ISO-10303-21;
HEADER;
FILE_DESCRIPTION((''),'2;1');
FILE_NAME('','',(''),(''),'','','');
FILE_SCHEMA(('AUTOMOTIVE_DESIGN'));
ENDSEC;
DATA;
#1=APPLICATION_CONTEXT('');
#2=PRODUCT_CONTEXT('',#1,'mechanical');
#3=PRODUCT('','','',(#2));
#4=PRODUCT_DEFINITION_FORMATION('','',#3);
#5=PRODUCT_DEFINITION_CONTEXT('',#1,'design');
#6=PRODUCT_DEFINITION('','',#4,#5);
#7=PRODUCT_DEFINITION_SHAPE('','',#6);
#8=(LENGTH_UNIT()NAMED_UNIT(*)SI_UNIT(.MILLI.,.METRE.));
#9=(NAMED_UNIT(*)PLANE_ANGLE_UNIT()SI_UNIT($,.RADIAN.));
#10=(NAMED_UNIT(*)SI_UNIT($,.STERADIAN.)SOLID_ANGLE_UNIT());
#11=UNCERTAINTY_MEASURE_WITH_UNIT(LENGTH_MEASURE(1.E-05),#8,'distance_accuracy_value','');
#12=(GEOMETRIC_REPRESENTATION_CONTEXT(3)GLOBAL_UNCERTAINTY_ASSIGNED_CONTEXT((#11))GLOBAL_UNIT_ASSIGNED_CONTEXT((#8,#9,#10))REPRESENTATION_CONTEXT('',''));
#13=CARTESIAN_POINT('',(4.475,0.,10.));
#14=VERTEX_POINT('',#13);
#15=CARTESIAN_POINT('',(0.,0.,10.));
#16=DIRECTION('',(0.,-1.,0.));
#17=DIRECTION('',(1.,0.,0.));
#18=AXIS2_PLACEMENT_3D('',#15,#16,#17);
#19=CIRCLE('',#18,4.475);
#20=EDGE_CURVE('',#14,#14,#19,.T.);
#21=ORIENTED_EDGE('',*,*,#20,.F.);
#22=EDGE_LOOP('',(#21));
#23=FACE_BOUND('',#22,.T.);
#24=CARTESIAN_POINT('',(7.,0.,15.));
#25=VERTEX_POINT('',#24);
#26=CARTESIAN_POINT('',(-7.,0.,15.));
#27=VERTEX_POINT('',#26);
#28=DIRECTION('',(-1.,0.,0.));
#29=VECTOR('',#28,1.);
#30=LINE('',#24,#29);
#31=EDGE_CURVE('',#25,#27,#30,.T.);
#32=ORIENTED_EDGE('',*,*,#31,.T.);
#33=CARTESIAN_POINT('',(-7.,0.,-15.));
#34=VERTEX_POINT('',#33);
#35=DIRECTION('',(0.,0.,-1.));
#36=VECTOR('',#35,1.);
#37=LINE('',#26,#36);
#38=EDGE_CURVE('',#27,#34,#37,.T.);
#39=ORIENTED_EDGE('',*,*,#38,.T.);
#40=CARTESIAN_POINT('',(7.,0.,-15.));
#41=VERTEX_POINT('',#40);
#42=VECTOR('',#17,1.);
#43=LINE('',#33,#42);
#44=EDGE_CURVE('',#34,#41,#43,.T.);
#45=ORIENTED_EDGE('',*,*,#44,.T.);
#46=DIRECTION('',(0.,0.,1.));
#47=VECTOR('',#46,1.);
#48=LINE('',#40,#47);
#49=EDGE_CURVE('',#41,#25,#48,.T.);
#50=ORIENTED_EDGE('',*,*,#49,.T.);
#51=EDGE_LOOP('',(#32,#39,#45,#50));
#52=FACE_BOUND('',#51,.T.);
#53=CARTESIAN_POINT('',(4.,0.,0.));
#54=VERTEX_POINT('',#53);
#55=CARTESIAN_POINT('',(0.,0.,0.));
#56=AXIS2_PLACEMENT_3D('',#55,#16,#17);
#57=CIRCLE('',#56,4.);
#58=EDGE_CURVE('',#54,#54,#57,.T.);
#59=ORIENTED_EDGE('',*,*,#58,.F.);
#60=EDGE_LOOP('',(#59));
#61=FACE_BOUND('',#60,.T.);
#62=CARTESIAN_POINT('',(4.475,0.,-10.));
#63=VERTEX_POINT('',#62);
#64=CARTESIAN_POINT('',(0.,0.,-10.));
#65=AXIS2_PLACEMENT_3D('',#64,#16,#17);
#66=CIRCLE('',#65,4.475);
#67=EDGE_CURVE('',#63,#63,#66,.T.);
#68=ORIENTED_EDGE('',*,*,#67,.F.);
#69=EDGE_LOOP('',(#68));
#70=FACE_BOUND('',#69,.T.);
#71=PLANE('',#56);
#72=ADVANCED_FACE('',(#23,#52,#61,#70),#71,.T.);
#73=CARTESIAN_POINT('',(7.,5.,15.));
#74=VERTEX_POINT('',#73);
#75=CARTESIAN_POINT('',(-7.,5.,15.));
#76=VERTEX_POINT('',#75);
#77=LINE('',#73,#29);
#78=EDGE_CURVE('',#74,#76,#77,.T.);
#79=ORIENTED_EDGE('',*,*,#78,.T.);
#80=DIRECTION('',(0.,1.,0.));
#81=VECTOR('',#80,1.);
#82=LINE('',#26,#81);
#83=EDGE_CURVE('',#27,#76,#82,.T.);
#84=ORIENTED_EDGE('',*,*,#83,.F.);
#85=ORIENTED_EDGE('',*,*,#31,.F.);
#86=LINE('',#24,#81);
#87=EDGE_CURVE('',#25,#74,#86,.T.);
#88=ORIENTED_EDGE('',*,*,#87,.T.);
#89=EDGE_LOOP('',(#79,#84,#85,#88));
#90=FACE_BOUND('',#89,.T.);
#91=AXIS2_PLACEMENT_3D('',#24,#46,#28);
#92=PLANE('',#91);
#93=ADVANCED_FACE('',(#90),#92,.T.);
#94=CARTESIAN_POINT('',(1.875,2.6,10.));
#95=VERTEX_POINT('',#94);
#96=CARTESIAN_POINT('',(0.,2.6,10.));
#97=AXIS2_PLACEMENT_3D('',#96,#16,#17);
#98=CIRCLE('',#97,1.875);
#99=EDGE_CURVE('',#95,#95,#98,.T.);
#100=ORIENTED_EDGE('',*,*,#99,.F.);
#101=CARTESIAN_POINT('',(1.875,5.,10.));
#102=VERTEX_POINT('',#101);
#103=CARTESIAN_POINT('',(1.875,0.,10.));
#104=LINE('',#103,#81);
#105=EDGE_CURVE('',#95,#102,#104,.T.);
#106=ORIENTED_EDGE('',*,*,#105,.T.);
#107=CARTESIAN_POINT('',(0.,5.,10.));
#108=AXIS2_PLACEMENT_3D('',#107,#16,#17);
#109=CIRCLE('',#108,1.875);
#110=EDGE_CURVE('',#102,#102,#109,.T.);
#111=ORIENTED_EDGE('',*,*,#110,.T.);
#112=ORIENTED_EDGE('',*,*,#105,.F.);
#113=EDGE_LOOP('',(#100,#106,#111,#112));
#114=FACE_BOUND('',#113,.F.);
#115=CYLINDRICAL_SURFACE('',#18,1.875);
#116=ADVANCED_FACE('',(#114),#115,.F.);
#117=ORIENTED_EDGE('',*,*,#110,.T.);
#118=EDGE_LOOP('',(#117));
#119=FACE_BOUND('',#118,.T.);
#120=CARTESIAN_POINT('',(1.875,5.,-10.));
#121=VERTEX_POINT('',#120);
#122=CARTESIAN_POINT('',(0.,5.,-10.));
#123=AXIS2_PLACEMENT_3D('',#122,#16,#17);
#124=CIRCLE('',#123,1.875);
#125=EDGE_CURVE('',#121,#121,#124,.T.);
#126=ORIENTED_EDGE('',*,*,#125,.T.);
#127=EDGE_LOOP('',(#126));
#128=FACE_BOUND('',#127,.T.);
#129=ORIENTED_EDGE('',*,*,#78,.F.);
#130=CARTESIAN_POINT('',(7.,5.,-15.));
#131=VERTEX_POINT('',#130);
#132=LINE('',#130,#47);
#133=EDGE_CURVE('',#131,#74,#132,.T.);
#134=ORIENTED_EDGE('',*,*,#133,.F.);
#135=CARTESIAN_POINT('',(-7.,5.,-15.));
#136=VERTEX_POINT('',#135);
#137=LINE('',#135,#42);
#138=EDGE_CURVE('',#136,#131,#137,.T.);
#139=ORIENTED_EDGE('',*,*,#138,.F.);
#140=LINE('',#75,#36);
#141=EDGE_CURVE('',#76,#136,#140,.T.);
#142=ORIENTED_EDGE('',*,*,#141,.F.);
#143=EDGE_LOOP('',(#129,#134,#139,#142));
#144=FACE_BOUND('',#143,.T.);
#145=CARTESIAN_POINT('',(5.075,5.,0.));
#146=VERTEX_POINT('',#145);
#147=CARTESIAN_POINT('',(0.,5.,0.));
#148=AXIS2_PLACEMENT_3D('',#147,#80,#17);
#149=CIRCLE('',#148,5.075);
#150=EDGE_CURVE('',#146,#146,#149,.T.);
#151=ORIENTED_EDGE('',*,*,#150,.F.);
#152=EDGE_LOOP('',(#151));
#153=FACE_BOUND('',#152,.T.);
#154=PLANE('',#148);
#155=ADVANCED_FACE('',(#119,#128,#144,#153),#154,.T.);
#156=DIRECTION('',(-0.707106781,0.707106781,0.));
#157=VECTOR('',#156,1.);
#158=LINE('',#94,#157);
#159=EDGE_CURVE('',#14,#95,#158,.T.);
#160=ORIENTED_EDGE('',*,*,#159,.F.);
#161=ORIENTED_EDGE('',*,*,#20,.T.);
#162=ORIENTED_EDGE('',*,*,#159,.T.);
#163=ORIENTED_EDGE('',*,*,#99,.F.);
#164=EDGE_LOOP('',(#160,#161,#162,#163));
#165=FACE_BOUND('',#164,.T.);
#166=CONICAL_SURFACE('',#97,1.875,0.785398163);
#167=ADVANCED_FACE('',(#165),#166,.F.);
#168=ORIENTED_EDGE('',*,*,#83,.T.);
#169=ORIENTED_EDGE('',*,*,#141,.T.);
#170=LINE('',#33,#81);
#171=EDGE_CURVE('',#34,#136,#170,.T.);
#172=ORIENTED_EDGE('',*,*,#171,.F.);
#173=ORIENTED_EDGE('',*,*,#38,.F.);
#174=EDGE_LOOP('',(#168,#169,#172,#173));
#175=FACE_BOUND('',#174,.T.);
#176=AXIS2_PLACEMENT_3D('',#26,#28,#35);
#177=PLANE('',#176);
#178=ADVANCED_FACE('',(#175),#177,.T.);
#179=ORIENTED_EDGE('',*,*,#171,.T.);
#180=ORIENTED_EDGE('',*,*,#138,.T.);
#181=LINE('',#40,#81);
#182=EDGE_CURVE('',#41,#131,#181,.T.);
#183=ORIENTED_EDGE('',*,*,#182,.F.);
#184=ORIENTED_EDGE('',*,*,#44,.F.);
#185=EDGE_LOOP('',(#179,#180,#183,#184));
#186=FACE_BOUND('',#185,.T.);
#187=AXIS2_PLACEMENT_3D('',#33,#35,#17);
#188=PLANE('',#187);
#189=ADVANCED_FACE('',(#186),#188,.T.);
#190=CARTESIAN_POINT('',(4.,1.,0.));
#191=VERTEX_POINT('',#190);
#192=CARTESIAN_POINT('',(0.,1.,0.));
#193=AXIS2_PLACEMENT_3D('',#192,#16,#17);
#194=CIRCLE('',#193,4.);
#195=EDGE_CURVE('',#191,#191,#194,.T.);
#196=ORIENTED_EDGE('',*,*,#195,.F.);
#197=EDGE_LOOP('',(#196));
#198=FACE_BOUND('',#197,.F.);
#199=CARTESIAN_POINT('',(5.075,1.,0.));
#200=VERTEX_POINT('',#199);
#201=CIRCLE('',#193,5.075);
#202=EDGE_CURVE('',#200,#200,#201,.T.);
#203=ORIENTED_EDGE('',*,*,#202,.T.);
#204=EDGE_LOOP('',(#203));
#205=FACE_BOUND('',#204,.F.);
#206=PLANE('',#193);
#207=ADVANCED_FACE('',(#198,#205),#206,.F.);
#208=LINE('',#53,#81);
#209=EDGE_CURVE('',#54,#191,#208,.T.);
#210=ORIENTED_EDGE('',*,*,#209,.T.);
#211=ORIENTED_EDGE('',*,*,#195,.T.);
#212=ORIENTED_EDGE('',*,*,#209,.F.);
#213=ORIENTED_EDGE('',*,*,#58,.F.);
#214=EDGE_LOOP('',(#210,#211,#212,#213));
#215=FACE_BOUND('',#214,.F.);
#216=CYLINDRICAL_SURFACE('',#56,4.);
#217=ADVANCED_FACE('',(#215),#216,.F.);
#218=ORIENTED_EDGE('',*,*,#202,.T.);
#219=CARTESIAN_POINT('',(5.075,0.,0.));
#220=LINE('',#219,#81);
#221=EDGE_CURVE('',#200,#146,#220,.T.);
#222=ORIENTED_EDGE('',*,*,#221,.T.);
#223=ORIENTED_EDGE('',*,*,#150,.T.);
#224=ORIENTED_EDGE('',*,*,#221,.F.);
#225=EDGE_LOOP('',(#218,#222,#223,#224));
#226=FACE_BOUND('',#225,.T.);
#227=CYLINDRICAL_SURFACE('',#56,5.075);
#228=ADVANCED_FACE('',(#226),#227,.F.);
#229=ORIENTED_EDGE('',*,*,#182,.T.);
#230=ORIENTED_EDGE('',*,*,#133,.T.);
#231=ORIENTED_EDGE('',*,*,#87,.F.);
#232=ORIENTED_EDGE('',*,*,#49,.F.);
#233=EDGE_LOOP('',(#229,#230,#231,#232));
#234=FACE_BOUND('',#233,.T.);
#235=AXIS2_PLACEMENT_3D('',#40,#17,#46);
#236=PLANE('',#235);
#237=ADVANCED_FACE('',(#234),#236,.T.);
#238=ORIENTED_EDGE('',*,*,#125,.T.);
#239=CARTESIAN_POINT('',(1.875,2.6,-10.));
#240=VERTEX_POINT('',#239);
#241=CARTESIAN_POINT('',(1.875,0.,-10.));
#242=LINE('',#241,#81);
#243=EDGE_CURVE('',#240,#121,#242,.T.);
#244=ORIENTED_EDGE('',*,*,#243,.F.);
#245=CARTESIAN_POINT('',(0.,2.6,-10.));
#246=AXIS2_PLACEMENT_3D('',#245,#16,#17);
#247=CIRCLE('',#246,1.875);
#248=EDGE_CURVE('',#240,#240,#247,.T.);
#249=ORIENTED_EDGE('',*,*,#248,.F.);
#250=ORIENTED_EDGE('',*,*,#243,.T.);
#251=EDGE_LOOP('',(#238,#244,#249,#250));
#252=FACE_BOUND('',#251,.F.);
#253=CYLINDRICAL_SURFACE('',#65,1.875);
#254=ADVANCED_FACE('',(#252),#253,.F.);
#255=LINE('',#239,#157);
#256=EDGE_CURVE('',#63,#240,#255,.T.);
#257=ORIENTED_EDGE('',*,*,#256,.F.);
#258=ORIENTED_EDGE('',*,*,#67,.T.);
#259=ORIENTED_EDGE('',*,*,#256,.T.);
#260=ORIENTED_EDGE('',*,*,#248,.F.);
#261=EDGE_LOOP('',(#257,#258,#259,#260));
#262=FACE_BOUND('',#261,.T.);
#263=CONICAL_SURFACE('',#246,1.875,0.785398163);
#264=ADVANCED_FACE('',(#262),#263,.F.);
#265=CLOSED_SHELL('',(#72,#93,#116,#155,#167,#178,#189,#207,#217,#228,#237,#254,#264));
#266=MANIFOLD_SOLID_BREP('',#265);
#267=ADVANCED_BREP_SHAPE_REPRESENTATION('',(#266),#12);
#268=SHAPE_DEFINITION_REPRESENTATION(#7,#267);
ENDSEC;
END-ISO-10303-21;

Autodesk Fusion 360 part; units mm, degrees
sketch "Sketch1" plane through (0, 0, 0) normal (0, 1, 0) x (1, 0, 0)
  circle A0 centre (0, 0) radius 5.075
  line L0 (-7, 15) -> (7, 15)
  line L1 (7, 15) -> (7, -15)
  line L2 (7, -15) -> (-7, -15)
  line L3 (-7, -15) -> (-7, 15)
  line L4 (-7, 15) -> (7, -15) construction
  line L5 (7, 15) -> (-7, -15) construction
  dimension "d1" = 10.15
  dimension "d2" = 7
  dimension "d3" = 30
extrude "Extrude1" add sketch "Sketch1" along normal blind 5
sketch "Sketch2" plane through (0, 0, 0) normal (0, -1, 0) x (1, 0, 0)
  circle A0 centre (0, 0) radius 5.075
  line L0 (7, 15) -> (-7, 15)
  line L1 (-7, 15) -> (-7, -15)
  line L2 (-7, -15) -> (7, -15)
  line L3 (7, -15) -> (7, 15)
  line L4 (0, 15) -> (0, -15) construction
  line L5 (0, 0) -> (33.31, 0) construction
  circle A1 centre (0, 10) radius 1.875
  circle A2 centre (0, -10) radius 1.875
  dimension "d6" = 3.75
extrude "Extrude2" cut sketch "Sketch2" against normal blind 31 contours A1 | A2
chamfer "Chamfer1" distance 2.6 angle 45 2 edges at (-1.7481, 0, 10.678) (-1.7481, 0, -9.322)
sketch "Sketch3" plane through (0, 0, 0) normal (0, -1, 0) x (1, 0, 0)
  line L0 (7, -15) -> (7, 15)
  line L1 (7, 15) -> (-7, 15)
  line L2 (-7, 15) -> (-7, -15)
  line L3 (-7, -15) -> (7, -15)
  circle A0 centre (0, 0) radius 5.075
  circle A1 centre (0, 0) radius 4
  circle A2 centre (0, 0) radius 5.075
  circle A3 centre (0, 10) radius 4.475
  circle A4 centre (0, -10) radius 4.475
  dimension "d10" = 8
extrude "Extrude3" add sketch "Sketch3" against normal blind 1 contours A0 A2
